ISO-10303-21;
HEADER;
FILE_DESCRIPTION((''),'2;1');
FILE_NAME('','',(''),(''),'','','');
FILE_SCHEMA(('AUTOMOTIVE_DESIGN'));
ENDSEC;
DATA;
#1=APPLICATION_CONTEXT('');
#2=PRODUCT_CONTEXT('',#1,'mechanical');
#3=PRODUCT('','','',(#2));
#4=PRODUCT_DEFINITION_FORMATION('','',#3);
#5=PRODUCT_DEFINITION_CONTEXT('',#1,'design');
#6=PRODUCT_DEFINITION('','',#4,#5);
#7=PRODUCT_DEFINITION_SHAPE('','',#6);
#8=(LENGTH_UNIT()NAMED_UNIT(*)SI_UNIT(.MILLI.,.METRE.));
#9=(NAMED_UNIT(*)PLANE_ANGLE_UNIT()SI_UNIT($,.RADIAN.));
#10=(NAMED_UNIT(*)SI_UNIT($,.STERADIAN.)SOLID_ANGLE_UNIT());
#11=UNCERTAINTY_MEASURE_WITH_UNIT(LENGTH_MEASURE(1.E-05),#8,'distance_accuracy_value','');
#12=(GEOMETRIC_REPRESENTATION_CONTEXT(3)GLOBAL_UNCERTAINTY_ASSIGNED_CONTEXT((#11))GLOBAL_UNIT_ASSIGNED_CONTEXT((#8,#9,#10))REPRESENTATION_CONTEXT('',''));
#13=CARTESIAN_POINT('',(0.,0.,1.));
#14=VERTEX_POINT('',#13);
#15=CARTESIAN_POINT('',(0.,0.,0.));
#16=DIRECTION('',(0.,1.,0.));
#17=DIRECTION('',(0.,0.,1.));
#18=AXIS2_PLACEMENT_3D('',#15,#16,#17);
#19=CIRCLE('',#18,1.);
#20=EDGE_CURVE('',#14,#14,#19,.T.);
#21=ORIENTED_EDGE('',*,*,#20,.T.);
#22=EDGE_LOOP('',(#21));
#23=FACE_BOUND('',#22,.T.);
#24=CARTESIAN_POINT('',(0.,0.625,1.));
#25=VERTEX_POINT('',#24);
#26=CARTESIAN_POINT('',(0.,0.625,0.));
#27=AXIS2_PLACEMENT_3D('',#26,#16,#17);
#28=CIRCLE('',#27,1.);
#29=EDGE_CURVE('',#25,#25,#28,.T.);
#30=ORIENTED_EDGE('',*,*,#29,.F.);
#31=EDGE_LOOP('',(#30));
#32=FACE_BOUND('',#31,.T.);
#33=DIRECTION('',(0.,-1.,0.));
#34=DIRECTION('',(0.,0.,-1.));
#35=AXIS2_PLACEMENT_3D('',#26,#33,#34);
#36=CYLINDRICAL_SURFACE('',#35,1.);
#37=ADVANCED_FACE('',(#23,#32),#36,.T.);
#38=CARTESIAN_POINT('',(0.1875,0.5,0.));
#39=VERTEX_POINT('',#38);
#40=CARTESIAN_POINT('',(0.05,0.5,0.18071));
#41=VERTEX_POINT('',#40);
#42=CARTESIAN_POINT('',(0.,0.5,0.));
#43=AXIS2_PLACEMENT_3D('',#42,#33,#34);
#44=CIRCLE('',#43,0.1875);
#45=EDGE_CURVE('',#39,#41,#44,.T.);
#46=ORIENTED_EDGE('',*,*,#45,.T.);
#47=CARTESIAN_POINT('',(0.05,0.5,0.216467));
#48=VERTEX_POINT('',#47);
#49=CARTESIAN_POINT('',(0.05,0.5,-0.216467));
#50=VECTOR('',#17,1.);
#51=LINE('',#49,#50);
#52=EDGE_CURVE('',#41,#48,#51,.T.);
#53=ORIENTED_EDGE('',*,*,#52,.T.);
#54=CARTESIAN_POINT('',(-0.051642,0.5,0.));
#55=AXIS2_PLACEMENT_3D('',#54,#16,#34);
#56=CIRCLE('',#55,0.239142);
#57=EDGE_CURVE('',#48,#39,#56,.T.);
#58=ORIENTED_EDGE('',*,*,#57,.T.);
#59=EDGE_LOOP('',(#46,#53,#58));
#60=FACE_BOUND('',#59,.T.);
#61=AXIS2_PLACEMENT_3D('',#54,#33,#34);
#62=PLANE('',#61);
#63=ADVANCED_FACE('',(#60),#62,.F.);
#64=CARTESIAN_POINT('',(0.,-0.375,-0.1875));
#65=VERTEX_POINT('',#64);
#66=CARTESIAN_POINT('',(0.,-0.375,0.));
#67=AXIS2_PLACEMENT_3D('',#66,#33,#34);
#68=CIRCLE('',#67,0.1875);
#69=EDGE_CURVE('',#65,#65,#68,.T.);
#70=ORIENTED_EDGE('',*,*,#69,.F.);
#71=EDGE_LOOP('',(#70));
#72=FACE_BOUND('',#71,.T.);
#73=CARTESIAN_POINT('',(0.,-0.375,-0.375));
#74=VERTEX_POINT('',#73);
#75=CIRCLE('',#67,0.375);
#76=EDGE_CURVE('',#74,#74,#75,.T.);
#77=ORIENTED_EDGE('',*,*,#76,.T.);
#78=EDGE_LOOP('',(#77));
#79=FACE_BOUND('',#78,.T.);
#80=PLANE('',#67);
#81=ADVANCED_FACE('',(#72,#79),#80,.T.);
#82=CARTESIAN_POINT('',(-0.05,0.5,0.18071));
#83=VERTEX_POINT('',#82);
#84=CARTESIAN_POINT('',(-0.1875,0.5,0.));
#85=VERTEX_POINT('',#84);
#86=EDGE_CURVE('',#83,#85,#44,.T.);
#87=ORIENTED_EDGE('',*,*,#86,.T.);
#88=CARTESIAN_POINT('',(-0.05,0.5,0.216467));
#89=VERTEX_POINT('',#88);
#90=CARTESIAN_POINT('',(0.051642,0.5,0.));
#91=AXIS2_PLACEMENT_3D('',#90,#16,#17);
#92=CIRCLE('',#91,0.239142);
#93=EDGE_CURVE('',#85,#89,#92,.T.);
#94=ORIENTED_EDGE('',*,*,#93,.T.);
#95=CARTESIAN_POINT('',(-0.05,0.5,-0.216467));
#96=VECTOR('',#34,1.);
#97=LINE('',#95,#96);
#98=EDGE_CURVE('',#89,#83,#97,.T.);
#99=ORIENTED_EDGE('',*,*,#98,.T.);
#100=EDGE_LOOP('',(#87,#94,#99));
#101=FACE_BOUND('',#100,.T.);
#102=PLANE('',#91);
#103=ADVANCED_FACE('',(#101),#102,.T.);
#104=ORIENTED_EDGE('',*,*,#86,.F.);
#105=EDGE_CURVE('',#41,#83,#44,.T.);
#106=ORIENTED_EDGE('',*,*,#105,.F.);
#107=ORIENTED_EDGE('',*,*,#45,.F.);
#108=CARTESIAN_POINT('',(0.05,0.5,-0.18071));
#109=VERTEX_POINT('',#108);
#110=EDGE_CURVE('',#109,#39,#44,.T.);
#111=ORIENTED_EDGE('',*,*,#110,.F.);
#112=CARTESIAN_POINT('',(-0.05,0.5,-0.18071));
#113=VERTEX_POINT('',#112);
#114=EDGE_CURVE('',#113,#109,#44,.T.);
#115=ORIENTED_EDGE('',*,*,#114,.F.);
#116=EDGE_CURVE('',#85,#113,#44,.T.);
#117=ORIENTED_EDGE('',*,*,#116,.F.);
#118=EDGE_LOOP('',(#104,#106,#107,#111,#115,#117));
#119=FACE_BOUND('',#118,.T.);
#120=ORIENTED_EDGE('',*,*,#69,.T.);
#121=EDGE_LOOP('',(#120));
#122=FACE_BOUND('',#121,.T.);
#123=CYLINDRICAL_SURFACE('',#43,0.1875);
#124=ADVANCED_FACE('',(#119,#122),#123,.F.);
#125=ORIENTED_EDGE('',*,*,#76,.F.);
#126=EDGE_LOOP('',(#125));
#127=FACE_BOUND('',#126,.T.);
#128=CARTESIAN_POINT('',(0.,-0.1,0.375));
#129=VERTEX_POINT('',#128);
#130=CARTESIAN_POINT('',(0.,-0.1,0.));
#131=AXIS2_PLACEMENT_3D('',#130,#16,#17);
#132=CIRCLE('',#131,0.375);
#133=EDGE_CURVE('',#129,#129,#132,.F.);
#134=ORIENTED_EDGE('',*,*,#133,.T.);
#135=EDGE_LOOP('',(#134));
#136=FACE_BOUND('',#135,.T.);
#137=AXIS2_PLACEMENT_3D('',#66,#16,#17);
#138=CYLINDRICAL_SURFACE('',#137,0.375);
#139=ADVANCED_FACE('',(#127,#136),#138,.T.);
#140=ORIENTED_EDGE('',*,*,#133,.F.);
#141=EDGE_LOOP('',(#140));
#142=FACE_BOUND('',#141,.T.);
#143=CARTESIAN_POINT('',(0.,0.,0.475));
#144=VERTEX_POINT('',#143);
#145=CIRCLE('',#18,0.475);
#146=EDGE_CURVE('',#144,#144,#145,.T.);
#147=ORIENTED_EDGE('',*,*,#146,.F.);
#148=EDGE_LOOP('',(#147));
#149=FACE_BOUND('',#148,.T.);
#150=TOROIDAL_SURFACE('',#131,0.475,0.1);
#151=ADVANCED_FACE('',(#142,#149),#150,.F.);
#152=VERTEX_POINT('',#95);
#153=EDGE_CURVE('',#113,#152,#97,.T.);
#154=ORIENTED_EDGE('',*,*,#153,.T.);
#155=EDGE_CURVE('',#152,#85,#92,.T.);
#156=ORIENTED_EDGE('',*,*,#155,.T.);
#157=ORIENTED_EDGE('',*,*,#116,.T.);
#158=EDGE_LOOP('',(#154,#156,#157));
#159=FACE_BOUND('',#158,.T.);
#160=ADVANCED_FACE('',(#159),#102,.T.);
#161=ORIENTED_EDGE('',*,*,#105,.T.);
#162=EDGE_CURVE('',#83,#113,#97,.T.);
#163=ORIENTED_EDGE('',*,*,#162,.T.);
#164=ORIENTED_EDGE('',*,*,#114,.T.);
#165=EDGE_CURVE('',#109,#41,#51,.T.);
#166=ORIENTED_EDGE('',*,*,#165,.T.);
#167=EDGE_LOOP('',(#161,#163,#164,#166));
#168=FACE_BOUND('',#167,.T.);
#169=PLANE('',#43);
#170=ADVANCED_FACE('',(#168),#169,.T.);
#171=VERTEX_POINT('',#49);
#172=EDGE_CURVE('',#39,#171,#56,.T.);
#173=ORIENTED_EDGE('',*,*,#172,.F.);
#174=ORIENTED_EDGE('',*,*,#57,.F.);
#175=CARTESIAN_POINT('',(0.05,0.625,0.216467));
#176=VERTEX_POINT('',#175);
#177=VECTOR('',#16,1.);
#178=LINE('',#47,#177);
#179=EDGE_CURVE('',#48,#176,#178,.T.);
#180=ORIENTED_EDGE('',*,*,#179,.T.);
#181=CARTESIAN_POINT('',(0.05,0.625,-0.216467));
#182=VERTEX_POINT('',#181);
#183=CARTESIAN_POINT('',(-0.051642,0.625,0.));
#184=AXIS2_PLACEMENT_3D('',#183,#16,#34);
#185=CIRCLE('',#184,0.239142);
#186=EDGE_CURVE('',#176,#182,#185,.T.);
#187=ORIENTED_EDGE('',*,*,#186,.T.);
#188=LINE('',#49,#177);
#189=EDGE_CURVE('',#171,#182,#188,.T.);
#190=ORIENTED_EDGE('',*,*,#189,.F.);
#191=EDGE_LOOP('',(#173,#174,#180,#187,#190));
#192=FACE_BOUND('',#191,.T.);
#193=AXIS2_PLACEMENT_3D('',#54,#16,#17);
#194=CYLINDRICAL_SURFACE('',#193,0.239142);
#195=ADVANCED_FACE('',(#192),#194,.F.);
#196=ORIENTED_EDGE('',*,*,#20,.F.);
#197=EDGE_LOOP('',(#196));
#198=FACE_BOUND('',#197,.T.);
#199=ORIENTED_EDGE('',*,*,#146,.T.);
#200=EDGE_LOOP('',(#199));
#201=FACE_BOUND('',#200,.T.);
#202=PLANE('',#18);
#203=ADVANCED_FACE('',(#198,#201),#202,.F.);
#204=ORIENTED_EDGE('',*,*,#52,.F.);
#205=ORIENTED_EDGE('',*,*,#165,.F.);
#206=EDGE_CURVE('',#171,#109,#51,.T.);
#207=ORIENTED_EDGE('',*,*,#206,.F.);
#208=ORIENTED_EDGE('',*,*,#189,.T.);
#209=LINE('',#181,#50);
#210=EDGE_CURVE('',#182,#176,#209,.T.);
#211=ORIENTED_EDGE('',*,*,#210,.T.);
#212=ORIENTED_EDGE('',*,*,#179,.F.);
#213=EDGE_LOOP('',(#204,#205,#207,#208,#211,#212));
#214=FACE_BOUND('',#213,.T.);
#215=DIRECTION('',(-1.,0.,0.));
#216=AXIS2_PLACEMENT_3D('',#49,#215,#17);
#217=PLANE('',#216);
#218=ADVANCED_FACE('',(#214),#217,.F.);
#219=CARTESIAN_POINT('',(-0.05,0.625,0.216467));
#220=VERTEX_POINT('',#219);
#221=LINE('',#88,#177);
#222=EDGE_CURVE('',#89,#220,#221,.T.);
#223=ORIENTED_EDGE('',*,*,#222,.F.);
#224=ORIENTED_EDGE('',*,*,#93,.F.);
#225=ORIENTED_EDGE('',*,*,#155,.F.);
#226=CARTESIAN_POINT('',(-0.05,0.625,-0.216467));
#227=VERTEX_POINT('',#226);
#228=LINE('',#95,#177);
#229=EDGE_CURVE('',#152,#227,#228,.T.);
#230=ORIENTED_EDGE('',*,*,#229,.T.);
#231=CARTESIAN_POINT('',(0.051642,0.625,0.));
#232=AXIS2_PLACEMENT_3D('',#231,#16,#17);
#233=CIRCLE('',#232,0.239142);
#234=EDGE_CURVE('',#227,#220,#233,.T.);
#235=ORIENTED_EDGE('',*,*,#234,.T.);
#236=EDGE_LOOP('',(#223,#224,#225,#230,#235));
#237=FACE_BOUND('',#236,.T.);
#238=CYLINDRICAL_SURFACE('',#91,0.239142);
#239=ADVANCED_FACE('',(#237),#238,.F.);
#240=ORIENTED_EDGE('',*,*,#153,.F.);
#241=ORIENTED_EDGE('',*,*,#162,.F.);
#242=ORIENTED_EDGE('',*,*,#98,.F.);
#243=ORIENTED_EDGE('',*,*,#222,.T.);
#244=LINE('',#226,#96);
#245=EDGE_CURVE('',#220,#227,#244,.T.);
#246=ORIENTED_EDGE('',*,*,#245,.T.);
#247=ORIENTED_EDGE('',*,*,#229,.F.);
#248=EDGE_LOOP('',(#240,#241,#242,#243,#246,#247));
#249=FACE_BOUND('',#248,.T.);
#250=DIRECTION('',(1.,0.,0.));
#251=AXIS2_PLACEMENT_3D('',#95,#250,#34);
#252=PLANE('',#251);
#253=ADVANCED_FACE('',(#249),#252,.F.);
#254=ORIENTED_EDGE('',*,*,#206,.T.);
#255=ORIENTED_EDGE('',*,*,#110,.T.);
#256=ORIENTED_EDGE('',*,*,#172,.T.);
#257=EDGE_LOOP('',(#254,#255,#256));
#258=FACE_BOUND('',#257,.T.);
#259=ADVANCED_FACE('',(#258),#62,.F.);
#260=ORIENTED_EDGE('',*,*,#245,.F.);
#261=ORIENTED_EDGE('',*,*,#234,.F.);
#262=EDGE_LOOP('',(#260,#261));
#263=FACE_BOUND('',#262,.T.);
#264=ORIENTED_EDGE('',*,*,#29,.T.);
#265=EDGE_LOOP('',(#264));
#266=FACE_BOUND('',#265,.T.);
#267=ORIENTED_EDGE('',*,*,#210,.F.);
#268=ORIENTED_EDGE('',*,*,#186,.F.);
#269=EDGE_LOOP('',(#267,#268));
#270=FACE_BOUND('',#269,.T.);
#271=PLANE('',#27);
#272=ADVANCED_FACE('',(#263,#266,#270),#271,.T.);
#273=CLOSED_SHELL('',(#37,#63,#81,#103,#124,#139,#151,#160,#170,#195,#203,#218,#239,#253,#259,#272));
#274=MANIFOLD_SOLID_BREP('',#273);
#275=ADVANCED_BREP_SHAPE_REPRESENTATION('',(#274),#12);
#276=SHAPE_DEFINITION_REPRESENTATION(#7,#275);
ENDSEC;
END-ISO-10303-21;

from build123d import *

# Parameters (mm, degrees)
SKETCH1_R           = 1
BOSS_EXTRUDE1_DEPTH = 0.625
CUT_EXTRUDE2_DEPTH  = 0.125
SKETCH3_R           = 0.375
BOSS_EXTRUDE2_DEPTH = 0.375
SKETCH5_R           = 0.1875
CUT_EXTRUDE3_DEPTH  = 0.875
FILLET1_R           = 0.1


with BuildPart() as part:
    # Sketch1 → Boss-Extrude1 (new body)
    with BuildSketch(Plane(origin=(0, 0, 0), x_dir=(1, 0, 0), z_dir=(0, 1, 0))):
        with Locations(Location((0, 0, 0), (0, 0, 270))):
            Circle(SKETCH1_R)
    extrude(amount=BOSS_EXTRUDE1_DEPTH)

    # Sketch2 → Cut-Extrude2 (cut)
    with BuildSketch(Plane(origin=(0, 0.625, 0), x_dir=(1, 0, 0), z_dir=(0, 1, 0))):
        with BuildLine():
            Line((-0.05, 0.216466881), (-0.05, -0.216466881))
            ThreePointArc((-0.05, -0.216466881), (-0.1875, 0), (-0.05, 0.216466881))
        make_face()
        with BuildLine():
            Line((0.05, 0.216466881), (0.05, -0.216466881))
            ThreePointArc((0.05, -0.216466881), (0.1875, 0), (0.05, 0.216466881))
        make_face()
    extrude(amount=-CUT_EXTRUDE2_DEPTH, mode=Mode.SUBTRACT)

    # Sketch3 → Boss-Extrude2 (add)
    with BuildSketch(Plane.XZ):
        with Locations(Location((0, 0, 0), (0, 0, 270))):
            Circle(SKETCH3_R)
    extrude(amount=BOSS_EXTRUDE2_DEPTH)

    # Sketch5 → Cut-Extrude3 (cut)
    with BuildSketch(Plane.XZ.offset(0.375)):
        with Locations(Location((0, 0, 0), (0, 0, 270))):
            Circle(SKETCH5_R)
    extrude(amount=-CUT_EXTRUDE3_DEPTH, mode=Mode.SUBTRACT)

    # Fillet1
    fillet1_edges = [part.edges().sort_by_distance(p)[0] for p in [
        (0, 0, 0.375),
    ]]
    fillet(fillet1_edges, radius=FILLET1_R)


solid = part.part
